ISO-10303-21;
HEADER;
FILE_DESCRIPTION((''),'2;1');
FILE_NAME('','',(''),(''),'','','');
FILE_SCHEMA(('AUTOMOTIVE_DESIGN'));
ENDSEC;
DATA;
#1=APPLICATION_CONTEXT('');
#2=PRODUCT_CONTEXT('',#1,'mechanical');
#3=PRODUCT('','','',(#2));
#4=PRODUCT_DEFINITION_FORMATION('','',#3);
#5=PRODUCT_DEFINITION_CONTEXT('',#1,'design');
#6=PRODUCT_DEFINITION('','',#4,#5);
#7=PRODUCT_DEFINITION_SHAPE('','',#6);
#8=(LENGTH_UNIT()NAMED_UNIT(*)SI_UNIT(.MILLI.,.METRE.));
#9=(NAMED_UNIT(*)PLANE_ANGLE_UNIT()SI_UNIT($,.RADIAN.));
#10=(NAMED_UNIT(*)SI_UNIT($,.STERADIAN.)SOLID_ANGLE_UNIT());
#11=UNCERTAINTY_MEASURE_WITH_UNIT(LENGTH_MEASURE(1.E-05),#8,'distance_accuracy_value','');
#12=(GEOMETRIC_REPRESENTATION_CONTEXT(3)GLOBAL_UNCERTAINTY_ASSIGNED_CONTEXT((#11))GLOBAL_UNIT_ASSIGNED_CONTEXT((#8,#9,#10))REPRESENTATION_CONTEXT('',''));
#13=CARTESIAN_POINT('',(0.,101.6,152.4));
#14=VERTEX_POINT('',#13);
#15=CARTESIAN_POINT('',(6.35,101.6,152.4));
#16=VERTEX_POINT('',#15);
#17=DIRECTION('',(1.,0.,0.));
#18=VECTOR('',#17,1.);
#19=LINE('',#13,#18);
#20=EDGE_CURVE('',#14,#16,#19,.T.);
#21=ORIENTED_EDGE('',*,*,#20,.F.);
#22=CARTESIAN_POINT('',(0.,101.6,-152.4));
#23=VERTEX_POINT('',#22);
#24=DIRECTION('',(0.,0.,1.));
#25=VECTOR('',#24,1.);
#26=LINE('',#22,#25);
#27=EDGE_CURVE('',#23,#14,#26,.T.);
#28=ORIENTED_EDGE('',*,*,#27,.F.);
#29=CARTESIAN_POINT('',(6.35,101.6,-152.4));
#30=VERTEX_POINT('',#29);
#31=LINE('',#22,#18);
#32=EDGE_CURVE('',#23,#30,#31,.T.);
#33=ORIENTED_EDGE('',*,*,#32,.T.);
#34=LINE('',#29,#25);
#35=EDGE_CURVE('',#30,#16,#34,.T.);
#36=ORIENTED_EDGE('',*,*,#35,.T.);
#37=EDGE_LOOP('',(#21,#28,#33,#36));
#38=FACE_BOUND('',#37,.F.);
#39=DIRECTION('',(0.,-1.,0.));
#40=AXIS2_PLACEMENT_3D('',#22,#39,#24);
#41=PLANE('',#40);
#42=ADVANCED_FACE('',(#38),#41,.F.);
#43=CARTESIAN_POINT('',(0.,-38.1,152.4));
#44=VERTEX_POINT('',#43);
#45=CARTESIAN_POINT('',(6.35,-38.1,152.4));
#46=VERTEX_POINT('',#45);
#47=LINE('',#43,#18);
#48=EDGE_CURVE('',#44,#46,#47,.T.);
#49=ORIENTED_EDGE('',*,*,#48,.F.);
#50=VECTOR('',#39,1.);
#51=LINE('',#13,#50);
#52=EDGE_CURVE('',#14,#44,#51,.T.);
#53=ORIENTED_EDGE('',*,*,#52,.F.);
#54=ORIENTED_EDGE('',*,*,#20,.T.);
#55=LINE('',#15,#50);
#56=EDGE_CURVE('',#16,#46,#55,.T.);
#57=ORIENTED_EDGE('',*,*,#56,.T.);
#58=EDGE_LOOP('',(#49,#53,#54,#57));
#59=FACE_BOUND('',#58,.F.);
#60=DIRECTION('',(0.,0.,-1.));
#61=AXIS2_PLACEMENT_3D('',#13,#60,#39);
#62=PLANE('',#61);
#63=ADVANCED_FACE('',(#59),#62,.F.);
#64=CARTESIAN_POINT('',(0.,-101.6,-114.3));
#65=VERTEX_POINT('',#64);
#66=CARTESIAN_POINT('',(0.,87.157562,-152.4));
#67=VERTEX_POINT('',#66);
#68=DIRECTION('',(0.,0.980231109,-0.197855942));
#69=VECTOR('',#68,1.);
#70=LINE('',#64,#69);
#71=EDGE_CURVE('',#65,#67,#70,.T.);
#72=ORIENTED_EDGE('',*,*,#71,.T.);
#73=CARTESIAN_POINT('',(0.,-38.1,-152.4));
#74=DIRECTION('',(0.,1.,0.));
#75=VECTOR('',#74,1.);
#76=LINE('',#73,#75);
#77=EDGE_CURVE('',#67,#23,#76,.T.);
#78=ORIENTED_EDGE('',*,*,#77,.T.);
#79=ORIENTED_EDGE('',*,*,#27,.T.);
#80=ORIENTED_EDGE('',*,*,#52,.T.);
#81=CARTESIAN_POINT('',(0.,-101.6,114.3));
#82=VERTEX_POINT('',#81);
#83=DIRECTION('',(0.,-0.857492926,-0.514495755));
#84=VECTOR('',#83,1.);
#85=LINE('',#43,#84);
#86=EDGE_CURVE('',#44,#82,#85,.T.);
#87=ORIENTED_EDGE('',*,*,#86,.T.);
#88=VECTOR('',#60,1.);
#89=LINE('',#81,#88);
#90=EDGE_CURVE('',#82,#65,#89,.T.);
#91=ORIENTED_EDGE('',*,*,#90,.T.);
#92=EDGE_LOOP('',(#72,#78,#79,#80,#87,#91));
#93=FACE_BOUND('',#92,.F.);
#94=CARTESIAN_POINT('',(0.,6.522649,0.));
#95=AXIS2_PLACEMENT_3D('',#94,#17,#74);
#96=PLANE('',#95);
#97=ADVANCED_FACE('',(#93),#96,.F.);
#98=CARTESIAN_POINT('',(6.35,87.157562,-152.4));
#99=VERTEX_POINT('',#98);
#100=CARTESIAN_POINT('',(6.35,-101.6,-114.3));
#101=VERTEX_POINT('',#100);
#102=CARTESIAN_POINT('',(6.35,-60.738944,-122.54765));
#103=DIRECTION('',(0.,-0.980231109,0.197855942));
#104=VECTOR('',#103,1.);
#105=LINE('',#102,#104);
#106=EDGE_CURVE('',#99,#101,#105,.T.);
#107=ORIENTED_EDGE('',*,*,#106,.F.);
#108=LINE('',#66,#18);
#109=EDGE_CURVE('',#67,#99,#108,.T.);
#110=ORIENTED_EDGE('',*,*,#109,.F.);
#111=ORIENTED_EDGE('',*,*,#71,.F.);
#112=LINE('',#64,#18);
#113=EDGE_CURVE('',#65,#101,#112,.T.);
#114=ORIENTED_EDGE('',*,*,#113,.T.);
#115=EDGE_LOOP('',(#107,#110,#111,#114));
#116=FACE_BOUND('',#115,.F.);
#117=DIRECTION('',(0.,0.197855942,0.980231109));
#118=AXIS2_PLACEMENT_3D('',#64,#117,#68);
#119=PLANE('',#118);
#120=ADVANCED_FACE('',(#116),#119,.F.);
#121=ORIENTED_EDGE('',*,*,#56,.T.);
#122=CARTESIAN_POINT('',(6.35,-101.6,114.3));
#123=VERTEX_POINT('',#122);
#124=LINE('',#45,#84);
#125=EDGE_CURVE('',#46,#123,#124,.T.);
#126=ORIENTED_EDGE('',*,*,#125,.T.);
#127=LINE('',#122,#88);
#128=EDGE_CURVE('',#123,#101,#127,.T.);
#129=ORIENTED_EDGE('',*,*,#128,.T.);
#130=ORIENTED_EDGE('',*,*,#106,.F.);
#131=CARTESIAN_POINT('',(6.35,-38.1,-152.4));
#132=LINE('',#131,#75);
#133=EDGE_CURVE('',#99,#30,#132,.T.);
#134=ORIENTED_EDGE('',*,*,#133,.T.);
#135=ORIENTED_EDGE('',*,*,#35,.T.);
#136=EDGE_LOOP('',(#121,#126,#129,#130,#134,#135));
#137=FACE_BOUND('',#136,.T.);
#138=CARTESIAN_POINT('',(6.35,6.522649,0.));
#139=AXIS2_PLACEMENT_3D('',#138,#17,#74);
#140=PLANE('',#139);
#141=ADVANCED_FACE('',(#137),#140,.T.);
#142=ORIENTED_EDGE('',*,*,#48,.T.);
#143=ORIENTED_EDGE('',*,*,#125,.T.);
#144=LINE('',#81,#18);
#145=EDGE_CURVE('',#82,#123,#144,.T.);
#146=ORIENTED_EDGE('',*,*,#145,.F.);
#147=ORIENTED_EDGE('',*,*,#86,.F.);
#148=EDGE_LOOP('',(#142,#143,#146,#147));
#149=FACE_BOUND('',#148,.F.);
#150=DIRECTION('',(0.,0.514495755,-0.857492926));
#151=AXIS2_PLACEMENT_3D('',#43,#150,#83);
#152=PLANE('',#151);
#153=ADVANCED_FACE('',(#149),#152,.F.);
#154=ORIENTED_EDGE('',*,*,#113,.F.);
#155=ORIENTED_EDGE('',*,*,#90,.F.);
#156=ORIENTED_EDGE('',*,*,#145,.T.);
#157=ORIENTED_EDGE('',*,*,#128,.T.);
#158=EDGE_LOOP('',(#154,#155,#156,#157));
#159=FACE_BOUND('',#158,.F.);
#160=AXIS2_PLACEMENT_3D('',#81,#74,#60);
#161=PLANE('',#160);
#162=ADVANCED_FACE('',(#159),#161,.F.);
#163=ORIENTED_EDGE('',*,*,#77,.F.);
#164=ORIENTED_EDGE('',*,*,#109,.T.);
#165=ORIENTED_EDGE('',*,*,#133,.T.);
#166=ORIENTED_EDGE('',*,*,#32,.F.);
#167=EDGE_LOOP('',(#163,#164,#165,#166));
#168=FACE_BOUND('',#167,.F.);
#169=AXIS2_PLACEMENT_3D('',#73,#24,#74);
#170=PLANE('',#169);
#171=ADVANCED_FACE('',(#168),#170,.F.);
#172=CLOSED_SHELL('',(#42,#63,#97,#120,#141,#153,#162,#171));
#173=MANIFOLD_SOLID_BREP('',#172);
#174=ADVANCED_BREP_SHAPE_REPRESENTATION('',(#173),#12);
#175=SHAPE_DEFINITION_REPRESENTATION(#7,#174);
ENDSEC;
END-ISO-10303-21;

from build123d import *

# Parameters (mm, degrees)
F1_DEPTH = 6.35
F3_DEPTH = 25.4


with BuildPart() as f1:
    # F0 (on Right) → F1 (new body)
    with BuildSketch(Plane.YZ):
        Polygon((101.6, -152.4), (101.6, 152.4), (-38.1, 152.4), (-101.6, 114.3), (-101.6, -114.3), (-38.1, -152.4), align=None)
    extrude(amount=F1_DEPTH)

    # F2 (on face) → F3 (cut)
    with BuildSketch(Plane(origin=(0, 0, 0), x_dir=(0, -1, 0), z_dir=(-1, 0, 0))):
        Polygon((38.1, -152.4), (101.6, -114.3), (-87.157562, -152.4), align=None)
    extrude(amount=-F3_DEPTH, mode=Mode.SUBTRACT)


solid = f1.part
